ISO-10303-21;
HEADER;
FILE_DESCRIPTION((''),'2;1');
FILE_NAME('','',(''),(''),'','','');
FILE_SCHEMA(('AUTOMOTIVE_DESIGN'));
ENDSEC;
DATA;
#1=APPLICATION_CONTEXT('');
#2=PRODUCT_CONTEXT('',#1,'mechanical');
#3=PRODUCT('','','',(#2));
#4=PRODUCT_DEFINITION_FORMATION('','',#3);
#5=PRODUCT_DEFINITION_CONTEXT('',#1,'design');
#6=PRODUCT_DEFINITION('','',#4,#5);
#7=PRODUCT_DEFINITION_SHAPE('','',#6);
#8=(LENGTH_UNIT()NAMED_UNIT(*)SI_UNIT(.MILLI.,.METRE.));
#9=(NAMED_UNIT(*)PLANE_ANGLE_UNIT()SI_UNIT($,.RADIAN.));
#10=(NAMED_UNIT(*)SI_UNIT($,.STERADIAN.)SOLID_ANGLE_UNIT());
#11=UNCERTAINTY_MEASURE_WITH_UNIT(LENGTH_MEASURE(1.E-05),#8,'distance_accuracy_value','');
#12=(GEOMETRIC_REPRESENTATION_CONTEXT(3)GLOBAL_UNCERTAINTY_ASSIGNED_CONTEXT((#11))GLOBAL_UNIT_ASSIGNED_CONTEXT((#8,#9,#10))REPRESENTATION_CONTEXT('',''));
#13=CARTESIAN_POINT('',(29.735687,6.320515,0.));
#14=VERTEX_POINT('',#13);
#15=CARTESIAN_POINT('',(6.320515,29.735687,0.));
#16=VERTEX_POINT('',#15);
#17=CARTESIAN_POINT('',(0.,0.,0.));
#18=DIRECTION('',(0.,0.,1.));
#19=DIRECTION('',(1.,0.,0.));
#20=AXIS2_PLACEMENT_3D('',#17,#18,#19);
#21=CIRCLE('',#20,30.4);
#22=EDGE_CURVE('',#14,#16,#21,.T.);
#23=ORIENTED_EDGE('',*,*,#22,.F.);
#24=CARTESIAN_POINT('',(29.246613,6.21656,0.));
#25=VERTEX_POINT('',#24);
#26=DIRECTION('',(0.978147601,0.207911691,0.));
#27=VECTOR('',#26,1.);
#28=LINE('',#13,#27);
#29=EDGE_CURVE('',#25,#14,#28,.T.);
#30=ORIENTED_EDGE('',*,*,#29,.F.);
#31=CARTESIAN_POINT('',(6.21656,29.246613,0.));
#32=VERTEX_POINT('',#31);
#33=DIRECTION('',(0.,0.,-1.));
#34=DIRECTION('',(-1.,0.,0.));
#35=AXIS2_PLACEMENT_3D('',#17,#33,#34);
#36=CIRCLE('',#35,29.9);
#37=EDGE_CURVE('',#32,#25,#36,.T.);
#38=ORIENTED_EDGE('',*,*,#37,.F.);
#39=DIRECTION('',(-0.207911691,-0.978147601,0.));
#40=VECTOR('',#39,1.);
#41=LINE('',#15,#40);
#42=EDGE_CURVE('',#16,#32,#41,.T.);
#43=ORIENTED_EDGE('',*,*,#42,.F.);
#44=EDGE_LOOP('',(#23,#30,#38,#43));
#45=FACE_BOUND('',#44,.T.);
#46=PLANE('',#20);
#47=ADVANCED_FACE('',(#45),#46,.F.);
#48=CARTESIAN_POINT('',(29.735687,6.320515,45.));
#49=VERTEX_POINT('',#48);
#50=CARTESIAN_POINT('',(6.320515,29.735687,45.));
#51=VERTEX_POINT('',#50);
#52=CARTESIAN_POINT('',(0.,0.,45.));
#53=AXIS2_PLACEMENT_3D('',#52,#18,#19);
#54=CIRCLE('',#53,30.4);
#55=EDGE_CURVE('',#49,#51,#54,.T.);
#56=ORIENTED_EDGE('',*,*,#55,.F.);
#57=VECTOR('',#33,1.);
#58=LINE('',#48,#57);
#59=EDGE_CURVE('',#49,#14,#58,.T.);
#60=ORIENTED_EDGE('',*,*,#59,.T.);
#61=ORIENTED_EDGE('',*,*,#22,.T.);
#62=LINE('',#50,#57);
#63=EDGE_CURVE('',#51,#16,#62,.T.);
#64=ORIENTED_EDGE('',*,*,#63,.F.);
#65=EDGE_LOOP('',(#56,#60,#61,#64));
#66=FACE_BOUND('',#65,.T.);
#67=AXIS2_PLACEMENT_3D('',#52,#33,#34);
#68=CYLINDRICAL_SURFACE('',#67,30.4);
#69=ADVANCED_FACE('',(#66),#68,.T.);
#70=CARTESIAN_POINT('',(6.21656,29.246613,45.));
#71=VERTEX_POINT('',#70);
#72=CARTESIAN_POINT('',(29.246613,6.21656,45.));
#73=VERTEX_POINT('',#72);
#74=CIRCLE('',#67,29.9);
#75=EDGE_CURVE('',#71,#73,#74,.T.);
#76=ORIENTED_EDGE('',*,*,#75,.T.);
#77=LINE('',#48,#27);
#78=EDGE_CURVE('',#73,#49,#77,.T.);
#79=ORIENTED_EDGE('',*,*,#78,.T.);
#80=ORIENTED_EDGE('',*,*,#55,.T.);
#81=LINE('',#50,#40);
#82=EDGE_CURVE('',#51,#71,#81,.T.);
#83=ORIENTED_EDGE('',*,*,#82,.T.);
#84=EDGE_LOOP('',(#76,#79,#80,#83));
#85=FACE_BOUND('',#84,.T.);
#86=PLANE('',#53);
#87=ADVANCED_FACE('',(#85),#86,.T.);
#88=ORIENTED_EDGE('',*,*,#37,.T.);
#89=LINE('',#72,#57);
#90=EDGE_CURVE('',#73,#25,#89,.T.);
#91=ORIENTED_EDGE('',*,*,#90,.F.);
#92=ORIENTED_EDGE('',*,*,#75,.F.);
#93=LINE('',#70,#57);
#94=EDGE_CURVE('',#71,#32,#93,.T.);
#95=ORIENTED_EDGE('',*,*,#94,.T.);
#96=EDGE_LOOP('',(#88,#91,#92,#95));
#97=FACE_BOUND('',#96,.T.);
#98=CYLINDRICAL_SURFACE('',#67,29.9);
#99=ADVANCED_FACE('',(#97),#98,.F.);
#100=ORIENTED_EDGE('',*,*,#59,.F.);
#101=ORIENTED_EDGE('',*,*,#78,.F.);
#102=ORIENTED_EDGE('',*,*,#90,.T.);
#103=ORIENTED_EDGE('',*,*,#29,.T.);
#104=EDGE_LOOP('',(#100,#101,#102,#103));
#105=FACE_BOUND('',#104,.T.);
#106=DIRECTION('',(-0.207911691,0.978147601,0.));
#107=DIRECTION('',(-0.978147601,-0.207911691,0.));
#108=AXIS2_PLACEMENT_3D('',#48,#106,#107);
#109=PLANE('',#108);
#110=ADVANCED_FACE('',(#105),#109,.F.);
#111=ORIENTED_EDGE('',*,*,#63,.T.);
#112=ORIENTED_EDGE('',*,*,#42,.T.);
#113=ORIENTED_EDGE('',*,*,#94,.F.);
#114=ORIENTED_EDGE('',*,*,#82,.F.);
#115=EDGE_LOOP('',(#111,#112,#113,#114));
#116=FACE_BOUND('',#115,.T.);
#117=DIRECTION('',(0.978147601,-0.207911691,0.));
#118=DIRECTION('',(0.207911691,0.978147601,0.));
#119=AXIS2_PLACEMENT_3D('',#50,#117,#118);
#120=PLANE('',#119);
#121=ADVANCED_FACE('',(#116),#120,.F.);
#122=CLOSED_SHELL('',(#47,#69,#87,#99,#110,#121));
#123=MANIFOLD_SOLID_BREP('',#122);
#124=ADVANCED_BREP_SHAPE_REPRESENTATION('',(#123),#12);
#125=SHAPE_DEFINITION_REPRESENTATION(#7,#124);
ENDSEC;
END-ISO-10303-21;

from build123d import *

# Parameters (mm, degrees)
SALIENTE_EXTRUIR1_DEPTH = 45


with BuildPart() as part:
    # Croquis1 → Saliente-Extruir1 (new body)
    with BuildSketch(Plane.XY):
        with BuildLine():
            Line((6.320515401, 29.735687062), (6.216559555, 29.246613262))
            ThreePointArc((6.216559555, 29.246613262), (21.142492757, 21.142492757), (29.246613262, 6.216559555))
            Line((29.246613262, 6.216559555), (29.735687062, 6.320515401))
            ThreePointArc((29.735687062, 6.320515401), (21.496046148, 21.496046148), (6.320515401, 29.735687062))
        make_face()
    extrude(amount=SALIENTE_EXTRUIR1_DEPTH)


solid = part.part
